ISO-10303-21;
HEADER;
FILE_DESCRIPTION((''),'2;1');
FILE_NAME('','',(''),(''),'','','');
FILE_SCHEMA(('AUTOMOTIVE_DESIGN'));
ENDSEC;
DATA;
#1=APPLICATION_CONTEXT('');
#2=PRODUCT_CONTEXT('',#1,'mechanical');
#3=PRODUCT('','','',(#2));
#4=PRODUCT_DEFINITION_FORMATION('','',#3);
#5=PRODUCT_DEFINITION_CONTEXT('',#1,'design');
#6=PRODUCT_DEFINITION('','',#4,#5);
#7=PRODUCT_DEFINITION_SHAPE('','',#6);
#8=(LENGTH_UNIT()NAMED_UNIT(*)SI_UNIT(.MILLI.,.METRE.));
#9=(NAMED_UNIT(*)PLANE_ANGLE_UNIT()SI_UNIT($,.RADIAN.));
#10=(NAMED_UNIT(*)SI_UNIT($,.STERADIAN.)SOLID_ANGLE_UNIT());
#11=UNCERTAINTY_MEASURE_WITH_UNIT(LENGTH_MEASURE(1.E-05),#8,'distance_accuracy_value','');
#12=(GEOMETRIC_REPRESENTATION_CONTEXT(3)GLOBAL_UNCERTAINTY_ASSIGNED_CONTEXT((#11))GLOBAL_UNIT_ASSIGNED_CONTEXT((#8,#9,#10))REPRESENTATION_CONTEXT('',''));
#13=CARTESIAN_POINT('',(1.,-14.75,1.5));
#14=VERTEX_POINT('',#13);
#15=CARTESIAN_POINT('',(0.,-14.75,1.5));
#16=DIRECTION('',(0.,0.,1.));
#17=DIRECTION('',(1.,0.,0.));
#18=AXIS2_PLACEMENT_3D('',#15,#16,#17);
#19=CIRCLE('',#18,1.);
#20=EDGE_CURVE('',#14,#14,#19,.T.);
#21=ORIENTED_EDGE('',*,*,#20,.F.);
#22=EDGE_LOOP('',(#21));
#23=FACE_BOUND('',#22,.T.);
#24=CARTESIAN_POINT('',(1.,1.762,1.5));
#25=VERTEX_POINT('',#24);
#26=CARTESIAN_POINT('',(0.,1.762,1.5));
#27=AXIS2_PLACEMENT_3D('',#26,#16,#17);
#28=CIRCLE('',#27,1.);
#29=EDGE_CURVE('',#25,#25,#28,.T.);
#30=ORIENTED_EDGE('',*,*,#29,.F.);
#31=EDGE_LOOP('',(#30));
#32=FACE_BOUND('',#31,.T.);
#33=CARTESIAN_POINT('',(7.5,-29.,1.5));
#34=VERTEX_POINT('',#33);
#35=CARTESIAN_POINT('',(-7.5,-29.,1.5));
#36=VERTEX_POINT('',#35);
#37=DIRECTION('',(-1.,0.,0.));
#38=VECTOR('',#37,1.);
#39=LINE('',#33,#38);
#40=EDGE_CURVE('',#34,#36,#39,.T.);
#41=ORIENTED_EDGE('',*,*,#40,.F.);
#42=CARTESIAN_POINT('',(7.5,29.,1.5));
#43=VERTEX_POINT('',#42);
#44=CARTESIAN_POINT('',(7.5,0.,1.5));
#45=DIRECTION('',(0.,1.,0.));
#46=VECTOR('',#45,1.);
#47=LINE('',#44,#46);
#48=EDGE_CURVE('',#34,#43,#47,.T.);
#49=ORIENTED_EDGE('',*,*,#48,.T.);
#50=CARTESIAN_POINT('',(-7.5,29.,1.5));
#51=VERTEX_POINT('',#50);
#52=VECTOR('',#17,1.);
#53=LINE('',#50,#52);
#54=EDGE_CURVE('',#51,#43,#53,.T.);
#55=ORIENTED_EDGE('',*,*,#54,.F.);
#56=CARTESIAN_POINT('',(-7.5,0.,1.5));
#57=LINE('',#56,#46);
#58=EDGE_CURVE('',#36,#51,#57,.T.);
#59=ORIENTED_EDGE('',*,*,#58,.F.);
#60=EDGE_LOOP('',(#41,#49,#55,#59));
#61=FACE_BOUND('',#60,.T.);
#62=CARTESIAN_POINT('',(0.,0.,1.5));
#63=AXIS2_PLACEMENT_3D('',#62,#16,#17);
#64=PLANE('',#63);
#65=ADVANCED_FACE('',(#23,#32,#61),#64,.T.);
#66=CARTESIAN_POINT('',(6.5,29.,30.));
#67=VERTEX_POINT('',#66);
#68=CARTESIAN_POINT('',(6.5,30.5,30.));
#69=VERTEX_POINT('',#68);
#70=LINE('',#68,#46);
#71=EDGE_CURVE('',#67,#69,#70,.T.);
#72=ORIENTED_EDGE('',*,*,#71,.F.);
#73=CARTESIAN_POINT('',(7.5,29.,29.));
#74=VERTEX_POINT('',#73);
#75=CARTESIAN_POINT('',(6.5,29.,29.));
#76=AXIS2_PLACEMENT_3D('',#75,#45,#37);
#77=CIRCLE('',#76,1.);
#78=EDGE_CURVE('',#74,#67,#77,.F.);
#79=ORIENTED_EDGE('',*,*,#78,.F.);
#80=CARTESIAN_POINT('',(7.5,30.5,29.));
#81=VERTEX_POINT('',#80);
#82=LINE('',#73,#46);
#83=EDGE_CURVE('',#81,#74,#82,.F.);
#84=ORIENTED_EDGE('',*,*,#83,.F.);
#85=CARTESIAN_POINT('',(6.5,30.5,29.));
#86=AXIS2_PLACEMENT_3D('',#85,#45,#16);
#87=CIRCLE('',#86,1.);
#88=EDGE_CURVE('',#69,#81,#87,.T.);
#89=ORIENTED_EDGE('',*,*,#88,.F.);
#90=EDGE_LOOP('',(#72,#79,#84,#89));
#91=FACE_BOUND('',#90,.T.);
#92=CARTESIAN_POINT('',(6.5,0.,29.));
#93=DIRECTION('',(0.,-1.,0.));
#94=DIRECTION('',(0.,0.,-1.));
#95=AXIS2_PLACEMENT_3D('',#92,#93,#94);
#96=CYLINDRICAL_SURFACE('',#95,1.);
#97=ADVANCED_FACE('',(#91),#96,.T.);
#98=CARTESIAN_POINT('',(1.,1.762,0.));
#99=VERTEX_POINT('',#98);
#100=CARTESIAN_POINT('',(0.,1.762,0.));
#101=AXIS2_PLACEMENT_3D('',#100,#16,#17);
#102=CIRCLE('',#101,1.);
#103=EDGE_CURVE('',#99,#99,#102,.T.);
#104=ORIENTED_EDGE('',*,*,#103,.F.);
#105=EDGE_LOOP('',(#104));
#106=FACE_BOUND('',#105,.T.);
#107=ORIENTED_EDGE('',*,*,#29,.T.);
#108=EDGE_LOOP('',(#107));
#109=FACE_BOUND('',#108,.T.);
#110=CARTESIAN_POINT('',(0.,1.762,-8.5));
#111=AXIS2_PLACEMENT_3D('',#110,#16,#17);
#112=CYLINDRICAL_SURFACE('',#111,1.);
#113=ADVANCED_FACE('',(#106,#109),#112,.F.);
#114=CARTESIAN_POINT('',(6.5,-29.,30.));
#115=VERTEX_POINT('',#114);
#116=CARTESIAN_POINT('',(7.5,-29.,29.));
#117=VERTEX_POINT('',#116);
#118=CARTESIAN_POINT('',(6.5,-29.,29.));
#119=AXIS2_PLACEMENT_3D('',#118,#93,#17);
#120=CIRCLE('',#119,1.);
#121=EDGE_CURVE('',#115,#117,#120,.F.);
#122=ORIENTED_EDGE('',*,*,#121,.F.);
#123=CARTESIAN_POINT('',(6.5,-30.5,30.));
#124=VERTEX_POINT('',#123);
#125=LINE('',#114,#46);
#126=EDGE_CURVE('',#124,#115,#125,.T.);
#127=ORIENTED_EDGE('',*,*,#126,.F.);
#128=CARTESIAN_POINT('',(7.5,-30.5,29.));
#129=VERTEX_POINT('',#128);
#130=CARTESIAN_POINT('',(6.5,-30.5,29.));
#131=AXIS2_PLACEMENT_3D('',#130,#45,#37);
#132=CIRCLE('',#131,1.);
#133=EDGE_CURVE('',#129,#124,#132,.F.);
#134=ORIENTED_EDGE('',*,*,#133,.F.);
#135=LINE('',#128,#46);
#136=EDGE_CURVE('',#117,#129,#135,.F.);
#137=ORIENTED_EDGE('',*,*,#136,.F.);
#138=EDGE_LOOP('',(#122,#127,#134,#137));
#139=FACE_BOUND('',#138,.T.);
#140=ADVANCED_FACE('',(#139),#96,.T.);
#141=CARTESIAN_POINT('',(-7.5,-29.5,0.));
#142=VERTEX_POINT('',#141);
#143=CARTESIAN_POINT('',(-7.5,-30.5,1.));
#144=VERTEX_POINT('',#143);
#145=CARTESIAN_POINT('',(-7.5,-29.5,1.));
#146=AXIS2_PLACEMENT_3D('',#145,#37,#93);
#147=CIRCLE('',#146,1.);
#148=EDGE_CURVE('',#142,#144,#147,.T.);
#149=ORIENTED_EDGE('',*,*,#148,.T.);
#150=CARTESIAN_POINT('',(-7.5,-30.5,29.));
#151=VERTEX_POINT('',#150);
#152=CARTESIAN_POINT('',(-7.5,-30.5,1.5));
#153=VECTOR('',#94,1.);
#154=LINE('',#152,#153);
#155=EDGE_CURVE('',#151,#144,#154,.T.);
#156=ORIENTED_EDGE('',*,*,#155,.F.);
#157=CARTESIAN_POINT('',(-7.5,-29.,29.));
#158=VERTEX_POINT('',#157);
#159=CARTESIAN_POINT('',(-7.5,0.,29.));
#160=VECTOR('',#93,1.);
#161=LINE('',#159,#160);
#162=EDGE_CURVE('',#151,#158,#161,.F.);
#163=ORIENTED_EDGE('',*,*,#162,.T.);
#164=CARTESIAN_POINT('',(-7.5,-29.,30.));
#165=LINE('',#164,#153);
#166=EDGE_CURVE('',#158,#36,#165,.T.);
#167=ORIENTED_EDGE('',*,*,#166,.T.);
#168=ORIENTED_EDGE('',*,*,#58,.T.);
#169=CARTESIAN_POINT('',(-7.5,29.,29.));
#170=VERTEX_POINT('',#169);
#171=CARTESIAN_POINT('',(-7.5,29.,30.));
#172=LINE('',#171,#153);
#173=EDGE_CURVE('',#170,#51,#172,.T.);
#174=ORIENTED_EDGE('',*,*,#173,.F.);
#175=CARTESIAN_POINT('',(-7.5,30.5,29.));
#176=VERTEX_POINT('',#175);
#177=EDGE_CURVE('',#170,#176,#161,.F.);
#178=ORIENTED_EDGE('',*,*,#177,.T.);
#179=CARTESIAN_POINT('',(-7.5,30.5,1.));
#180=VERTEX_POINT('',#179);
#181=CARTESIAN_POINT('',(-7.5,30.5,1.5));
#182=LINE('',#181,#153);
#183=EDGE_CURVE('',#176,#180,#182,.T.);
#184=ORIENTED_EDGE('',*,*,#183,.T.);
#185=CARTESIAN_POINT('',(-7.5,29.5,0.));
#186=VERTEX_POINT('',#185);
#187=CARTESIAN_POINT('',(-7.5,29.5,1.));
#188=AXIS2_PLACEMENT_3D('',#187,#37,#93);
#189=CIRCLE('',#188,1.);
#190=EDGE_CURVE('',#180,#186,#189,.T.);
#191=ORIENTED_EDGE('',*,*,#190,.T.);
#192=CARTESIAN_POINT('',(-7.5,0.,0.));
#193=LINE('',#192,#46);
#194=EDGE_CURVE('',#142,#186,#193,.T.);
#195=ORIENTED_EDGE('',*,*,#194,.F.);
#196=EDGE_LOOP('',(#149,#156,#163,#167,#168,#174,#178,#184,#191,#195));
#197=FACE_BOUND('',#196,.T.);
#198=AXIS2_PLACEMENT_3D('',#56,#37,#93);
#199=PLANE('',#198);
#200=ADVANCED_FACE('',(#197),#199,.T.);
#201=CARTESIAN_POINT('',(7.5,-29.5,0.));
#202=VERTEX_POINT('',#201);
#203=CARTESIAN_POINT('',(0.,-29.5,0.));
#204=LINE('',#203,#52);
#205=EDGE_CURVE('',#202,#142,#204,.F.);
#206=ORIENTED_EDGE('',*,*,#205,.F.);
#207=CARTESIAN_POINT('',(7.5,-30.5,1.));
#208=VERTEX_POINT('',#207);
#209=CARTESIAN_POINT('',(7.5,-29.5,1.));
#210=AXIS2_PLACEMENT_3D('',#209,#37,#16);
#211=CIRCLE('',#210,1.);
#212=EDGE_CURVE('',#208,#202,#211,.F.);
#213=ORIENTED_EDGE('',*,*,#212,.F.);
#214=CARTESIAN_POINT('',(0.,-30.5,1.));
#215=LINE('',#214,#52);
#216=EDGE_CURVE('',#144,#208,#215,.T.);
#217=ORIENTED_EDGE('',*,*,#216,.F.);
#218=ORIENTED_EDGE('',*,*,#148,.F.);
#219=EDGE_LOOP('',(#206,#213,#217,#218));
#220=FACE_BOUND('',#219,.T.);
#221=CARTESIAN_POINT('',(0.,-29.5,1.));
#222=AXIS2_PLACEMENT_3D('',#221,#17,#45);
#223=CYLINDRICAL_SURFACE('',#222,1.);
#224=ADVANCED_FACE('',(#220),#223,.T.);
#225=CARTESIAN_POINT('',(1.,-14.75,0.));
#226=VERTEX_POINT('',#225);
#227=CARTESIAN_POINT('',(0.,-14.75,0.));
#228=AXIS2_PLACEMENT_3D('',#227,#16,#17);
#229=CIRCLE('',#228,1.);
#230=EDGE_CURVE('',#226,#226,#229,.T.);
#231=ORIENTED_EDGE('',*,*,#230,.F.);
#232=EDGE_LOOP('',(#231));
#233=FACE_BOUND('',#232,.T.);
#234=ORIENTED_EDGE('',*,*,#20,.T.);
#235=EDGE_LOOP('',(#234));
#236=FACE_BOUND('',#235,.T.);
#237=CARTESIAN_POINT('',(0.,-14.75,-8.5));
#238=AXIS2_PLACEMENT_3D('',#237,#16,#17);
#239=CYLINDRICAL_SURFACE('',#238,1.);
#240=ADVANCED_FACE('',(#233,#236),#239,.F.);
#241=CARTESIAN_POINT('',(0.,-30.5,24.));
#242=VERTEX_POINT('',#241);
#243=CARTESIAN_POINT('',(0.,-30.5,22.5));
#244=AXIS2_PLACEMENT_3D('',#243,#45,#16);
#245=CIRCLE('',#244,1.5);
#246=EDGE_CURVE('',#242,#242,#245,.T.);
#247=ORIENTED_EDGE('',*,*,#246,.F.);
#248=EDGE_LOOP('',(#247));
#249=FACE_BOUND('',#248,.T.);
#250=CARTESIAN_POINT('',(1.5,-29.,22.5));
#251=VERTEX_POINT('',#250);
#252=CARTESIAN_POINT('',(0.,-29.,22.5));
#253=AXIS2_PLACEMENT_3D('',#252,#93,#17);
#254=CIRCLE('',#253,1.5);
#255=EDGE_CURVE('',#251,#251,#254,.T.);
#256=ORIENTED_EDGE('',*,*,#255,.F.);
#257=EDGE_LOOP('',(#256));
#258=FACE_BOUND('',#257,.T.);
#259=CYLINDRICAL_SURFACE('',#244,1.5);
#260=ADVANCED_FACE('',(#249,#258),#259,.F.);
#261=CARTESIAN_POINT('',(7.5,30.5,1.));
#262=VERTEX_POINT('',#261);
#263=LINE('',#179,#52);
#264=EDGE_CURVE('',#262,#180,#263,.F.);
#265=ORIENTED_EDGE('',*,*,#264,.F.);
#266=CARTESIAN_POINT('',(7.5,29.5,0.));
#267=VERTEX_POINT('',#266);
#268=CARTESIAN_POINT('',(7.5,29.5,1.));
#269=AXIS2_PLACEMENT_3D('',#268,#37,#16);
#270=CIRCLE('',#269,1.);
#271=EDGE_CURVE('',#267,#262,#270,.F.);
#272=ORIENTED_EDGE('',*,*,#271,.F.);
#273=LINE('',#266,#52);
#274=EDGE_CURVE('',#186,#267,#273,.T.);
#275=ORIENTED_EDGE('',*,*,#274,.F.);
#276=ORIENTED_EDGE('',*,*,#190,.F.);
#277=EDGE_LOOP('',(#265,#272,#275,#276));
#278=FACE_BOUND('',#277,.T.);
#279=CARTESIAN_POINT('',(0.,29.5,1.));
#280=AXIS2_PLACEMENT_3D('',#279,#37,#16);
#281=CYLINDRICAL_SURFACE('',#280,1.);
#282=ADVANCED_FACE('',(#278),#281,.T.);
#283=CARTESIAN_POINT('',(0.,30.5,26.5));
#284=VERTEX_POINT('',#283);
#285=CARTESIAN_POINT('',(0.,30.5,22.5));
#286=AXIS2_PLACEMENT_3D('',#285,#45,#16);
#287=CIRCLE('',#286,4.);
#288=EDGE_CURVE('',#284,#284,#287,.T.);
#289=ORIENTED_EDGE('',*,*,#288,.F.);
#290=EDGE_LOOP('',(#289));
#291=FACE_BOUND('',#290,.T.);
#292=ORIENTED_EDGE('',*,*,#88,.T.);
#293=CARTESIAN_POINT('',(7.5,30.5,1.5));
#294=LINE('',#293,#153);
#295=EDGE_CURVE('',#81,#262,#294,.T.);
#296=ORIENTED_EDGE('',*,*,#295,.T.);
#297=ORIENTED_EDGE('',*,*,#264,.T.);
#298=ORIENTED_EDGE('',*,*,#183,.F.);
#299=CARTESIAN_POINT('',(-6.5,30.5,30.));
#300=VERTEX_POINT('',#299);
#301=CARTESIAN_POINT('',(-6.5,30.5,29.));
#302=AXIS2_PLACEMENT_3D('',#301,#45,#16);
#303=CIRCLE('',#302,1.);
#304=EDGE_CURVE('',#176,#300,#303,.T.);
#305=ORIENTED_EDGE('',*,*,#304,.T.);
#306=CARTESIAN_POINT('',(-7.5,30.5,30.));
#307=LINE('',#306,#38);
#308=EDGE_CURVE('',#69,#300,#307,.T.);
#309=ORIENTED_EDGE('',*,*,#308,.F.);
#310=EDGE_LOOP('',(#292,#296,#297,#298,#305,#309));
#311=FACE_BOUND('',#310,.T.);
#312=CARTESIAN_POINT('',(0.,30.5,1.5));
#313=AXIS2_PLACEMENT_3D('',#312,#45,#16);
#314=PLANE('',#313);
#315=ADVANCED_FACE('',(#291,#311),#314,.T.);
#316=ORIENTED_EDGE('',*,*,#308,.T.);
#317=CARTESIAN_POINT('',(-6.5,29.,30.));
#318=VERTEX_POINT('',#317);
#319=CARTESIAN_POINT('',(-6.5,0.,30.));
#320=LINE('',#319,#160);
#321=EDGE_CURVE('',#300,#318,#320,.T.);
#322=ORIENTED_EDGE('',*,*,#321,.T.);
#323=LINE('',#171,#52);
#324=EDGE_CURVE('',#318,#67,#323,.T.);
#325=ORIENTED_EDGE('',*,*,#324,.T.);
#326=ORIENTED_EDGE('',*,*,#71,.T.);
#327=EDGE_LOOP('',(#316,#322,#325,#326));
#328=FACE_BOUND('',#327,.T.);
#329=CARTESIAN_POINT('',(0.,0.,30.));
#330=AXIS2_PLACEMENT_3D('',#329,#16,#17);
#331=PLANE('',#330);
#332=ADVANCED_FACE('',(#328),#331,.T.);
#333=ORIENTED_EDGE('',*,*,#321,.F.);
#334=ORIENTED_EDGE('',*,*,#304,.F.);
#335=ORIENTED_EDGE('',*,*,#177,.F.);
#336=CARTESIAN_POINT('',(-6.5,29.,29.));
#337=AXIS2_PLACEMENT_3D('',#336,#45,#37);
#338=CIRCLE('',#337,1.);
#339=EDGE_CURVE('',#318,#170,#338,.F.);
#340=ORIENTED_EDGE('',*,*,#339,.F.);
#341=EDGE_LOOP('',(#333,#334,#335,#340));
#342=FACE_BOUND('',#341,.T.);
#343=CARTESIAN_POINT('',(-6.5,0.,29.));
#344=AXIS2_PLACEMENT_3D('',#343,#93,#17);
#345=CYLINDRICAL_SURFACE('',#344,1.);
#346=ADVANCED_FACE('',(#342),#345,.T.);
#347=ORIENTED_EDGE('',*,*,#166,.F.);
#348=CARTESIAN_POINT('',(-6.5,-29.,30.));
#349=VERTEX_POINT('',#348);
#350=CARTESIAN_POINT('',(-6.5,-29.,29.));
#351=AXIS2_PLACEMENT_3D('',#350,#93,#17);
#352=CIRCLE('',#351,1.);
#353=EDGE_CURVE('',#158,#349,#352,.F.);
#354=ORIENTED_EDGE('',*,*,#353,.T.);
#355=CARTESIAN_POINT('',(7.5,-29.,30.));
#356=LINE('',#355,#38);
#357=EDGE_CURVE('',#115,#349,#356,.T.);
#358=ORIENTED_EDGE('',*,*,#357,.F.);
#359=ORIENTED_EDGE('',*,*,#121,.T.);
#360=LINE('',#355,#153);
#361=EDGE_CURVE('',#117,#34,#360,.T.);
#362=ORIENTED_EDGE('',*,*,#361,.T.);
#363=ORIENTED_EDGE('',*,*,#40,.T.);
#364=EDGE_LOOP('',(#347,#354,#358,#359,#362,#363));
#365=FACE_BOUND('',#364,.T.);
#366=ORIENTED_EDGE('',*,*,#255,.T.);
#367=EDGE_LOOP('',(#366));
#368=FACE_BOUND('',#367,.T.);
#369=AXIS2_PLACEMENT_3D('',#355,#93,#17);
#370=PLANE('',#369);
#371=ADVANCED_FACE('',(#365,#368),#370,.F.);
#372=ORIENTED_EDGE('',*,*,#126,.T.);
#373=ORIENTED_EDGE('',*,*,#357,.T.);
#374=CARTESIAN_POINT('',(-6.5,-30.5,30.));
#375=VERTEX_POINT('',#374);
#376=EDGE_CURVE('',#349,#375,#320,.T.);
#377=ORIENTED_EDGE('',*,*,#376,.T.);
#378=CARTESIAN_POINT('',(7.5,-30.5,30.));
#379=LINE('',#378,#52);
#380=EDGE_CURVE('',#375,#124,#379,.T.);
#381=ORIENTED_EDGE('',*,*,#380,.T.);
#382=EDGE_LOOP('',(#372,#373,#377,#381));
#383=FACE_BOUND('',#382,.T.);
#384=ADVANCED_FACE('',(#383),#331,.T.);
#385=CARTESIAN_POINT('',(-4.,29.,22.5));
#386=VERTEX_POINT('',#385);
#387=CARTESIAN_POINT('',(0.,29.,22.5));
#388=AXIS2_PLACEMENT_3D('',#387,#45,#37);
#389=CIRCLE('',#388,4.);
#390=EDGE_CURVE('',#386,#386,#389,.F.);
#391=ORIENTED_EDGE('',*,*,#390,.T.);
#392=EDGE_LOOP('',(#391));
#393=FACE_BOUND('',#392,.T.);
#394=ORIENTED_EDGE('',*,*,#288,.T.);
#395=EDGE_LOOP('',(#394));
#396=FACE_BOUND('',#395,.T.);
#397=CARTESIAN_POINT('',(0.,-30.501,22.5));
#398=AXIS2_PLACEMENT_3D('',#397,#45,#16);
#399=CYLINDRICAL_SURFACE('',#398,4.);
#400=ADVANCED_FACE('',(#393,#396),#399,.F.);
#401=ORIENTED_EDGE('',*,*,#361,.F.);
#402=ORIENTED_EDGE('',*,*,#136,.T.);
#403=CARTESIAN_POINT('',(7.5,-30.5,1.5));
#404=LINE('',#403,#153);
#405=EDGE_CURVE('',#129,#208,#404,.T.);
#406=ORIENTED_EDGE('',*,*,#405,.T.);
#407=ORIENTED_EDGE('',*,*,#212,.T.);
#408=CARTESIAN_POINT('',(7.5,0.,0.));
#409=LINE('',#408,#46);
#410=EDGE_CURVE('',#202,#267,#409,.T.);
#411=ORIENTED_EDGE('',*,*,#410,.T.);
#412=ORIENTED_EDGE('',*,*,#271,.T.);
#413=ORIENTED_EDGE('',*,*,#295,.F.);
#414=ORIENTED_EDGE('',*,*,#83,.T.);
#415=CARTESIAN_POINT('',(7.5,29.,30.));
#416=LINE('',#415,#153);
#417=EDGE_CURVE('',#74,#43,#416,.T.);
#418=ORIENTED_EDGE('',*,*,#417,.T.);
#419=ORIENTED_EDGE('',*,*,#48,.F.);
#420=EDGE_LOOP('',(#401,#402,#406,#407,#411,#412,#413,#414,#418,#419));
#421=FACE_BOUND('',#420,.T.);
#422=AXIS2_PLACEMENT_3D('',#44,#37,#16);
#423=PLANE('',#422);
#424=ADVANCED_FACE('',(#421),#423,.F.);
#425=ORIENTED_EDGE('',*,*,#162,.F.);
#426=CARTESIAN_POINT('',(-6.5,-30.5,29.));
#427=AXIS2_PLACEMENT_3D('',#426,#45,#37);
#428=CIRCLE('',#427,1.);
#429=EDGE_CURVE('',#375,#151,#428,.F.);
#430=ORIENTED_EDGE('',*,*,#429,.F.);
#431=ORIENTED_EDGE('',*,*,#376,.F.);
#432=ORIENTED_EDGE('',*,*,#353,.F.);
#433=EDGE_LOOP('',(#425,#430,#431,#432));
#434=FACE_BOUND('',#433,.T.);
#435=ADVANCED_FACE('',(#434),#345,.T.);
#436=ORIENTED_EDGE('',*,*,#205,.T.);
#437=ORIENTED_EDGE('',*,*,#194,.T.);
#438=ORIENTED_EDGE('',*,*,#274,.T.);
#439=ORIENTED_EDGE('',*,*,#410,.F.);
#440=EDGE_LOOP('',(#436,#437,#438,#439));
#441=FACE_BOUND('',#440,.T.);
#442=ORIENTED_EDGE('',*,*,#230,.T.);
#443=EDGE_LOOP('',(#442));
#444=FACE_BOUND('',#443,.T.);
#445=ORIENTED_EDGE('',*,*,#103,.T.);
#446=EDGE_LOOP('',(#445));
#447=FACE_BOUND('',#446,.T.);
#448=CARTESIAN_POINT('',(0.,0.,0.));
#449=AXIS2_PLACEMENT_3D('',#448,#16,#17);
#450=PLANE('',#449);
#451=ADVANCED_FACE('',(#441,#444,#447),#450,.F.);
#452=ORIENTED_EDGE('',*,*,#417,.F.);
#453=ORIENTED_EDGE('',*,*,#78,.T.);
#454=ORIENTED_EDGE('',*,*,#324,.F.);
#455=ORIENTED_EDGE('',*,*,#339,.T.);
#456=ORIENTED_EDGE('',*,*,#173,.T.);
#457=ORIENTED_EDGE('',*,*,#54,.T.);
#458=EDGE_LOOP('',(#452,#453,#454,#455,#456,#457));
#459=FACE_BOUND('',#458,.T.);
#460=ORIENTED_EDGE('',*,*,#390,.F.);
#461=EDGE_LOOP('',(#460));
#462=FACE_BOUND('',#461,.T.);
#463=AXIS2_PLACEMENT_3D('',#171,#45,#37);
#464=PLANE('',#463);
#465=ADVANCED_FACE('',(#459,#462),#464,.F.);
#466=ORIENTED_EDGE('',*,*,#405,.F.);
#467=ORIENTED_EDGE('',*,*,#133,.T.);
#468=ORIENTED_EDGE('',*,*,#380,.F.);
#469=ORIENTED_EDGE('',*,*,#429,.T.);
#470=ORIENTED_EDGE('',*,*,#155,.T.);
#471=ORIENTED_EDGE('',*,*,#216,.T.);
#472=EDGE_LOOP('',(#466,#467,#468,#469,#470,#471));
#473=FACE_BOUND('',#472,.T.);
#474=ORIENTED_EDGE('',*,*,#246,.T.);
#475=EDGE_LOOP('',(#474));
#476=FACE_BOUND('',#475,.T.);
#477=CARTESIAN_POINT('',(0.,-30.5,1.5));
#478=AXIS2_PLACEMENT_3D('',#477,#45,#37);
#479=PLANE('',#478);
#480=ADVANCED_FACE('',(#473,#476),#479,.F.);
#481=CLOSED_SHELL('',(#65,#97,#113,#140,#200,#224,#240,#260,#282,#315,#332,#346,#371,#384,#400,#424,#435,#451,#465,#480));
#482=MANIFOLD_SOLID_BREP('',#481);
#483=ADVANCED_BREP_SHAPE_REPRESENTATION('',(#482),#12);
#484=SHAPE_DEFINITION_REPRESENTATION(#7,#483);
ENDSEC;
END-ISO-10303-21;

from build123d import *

# Parameters (mm, degrees)
BOSS_EXTRUDE1_DEPTH = 1.5
SKETCH2_W           = 15
SKETCH2_H           = 1.5
BOSS_EXTRUDE2_DEPTH = 28.5
SKETCH3_R           = 1.5
CUT_EXTRUDE1_DEPTH  = 62
FILLET1_R           = 1
CUT_EXTRUDE2_REACH  = 63
SKETCH5_R           = 4
SKETCH6_R           = 1
CUT_EXTRUDE3_DEPTH  = 10


with BuildPart() as part:
    # Sketch1 → Boss-Extrude1 (new body)
    with BuildSketch(Plane.XY):
        Polygon((-7.5, -23.042592662), (-7.5, -30.5), (7.5, -30.5), (7.5, -23.042592662), (7.5, 26.84732779), (7.5, 30.5), (-7.5, 30.5), (-7.5, 26.84732779), align=None)
    extrude(amount=BOSS_EXTRUDE1_DEPTH)

    # Sketch2 → Boss-Extrude2 (add)
    with BuildSketch(Plane.XY.offset(1.5)):
        with Locations((0, 29.75)):
            Rectangle(SKETCH2_W, SKETCH2_H)
        with Locations((0, -29.75)):
            Rectangle(SKETCH2_W, SKETCH2_H)
    extrude(amount=BOSS_EXTRUDE2_DEPTH)

    # Sketch3 → Cut-Extrude1 (cut, through all)
    with BuildSketch(Plane(origin=(0, 30.5, 0), x_dir=(1, 0, 0), z_dir=(0, 1, 0))):
        with Locations((0, -22.5)):
            Circle(SKETCH3_R)
    extrude(amount=-CUT_EXTRUDE1_DEPTH, mode=Mode.SUBTRACT)

    # Fillet1
    fillet1_edges = [part.edges().sort_by_distance(p)[0] for p in [
        (0, -30.5, 0),
        (-7.5, -29.75, 30),
        (7.5, -29.75, 30),
        (7.5, 29.75, 30),
        (-7.5, 29.75, 30),
        (0, 30.5, 0),
    ]]
    fillet(fillet1_edges, radius=FILLET1_R)

    # Sketch5 → Cut-Extrude2 (cut, up to next)
    with BuildSketch(Plane(origin=(0, 30.5, 0), x_dir=(1, 0, 0), z_dir=(0, 1, 0)), mode=Mode.PRIVATE) as cut_extrude2_sk1:
        with Locations((0, -22.5)):
            Circle(SKETCH5_R)
    cut_extrude2_tool1 = extrude(cut_extrude2_sk1.sketch, amount=-CUT_EXTRUDE2_REACH, mode=Mode.PRIVATE) & part.part
    add(cut_extrude2_tool1.solids().sort_by_distance((0, 30.5, 22.5))[0], mode=Mode.SUBTRACT)

    # Sketch6 → Cut-Extrude3 (cut)
    with BuildSketch(Plane.XY.offset(1.5)):
        with Locations((0, -14.75)):
            Circle(SKETCH6_R)
        with Locations((0, 1.762)):
            Circle(SKETCH6_R)
    extrude(amount=-CUT_EXTRUDE3_DEPTH, mode=Mode.SUBTRACT)


solid = part.part
